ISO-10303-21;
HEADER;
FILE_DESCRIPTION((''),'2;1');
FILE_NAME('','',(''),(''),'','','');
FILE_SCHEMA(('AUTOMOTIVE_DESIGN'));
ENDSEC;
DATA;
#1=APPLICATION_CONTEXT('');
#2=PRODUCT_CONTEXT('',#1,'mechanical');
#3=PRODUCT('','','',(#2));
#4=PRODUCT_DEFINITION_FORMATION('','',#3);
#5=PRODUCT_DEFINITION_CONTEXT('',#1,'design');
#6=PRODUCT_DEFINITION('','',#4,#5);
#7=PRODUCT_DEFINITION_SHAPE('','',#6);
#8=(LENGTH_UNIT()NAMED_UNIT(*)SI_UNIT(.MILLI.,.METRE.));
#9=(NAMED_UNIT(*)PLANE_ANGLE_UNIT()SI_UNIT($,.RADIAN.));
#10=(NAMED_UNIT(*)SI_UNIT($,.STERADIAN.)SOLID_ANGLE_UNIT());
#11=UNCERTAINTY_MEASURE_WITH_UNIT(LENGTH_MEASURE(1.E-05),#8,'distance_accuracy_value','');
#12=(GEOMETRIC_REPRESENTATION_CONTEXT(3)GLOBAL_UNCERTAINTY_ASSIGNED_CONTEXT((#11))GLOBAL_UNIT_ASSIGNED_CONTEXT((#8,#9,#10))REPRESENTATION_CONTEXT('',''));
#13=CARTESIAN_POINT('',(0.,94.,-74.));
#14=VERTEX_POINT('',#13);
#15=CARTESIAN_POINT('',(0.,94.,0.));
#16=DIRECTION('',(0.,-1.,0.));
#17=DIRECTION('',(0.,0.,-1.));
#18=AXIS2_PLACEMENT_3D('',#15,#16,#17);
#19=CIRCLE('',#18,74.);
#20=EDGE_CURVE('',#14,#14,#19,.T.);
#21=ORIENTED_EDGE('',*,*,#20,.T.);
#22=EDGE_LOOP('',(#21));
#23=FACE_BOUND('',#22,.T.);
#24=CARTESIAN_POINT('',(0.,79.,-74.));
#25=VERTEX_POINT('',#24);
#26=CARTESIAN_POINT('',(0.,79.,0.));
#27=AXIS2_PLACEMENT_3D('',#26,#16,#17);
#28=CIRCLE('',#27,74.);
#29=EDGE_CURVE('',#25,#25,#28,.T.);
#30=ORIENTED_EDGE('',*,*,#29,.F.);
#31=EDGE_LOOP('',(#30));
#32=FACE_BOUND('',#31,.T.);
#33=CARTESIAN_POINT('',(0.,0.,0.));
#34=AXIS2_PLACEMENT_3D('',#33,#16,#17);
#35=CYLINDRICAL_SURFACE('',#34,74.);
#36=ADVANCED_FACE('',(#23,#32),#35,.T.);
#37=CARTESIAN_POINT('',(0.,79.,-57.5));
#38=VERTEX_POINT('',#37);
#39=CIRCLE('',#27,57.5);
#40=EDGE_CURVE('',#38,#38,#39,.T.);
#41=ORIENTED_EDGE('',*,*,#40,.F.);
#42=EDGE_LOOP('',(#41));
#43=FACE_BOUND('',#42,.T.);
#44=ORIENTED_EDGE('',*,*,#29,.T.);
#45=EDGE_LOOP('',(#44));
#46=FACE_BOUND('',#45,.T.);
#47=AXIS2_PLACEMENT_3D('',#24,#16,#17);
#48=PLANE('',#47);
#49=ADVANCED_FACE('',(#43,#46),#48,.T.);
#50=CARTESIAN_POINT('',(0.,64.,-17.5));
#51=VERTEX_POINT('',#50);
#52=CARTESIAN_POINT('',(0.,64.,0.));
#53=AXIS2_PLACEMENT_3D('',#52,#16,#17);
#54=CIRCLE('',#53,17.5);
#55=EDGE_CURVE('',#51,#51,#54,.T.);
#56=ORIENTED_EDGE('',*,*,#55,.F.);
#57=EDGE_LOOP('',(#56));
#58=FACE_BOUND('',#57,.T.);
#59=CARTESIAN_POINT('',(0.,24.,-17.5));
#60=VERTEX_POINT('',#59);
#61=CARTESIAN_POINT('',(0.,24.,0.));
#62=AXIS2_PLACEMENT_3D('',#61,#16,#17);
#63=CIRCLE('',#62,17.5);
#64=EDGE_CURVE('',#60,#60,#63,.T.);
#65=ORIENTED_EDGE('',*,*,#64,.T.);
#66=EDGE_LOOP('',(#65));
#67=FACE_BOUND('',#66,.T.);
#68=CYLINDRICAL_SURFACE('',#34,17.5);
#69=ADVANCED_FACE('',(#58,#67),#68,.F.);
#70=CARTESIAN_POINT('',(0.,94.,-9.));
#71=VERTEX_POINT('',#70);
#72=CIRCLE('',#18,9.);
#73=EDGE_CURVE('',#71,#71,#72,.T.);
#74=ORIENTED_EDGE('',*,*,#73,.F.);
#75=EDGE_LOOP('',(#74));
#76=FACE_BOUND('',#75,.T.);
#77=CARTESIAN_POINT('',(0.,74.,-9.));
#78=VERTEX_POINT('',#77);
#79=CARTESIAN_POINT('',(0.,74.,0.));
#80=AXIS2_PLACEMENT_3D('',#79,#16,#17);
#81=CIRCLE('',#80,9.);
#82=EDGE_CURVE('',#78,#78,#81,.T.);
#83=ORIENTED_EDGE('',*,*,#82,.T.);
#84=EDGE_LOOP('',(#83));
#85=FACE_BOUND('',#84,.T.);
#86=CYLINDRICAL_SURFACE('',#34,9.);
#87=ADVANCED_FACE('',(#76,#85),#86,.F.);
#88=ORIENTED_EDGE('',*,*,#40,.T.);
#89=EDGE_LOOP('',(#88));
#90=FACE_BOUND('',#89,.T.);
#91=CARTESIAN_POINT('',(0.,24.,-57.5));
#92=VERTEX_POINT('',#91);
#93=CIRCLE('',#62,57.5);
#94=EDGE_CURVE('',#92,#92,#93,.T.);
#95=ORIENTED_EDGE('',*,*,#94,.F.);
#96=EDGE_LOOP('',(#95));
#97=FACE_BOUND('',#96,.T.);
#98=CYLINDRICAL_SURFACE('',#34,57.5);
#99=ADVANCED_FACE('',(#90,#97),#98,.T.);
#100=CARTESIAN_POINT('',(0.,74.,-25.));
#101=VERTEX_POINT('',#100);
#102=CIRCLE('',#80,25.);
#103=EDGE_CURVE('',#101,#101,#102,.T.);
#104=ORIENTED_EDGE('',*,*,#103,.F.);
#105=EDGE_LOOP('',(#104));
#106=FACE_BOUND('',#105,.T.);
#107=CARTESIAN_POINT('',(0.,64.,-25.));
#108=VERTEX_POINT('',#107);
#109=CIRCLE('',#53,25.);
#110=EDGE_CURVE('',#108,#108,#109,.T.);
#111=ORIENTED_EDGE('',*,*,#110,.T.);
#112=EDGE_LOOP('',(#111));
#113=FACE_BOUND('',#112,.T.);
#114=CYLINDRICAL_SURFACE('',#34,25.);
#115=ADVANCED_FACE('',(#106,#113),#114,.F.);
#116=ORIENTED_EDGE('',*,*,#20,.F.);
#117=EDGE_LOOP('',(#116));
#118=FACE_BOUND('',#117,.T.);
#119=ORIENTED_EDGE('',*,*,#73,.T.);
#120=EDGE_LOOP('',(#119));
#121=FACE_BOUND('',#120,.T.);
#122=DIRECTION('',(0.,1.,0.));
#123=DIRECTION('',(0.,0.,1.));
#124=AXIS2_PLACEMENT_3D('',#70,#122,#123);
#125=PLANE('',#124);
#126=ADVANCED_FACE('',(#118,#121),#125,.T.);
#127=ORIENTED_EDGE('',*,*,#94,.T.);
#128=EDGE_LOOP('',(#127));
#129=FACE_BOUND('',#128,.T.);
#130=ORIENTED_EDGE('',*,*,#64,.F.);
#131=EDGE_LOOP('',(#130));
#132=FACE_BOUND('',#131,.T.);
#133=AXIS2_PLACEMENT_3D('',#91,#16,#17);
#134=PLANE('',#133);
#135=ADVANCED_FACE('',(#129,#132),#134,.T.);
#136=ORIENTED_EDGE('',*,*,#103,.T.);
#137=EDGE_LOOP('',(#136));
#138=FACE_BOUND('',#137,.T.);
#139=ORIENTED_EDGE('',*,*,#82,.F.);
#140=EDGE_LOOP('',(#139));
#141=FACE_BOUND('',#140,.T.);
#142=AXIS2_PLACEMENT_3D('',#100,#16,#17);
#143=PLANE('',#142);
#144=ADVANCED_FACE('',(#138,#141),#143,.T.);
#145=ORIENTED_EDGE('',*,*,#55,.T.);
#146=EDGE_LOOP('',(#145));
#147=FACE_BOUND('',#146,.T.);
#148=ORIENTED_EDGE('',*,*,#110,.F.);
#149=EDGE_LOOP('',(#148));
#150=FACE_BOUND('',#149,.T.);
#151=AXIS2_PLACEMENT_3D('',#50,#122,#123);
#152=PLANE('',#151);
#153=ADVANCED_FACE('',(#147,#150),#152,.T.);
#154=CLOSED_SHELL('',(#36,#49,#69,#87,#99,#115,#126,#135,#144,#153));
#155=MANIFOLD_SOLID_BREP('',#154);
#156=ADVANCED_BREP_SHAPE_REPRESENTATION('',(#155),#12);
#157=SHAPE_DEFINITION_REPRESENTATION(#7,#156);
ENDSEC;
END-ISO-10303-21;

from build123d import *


with BuildPart() as part:
    # Sketch2 → Revolve1 (revolve)
    with BuildSketch(Plane(origin=(0, 0, 0), x_dir=(0, 0, -1), z_dir=(1, 0, 0))):
        Polygon((17.5, 24), (17.5, 64), (25, 64), (25, 74), (9, 74), (9, 94), (74, 94), (74, 79), (57.5, 79), (57.5, 24), align=None)
    revolve(axis=Axis((0, 0, 0), (0, 1, 0)))


solid = part.part
